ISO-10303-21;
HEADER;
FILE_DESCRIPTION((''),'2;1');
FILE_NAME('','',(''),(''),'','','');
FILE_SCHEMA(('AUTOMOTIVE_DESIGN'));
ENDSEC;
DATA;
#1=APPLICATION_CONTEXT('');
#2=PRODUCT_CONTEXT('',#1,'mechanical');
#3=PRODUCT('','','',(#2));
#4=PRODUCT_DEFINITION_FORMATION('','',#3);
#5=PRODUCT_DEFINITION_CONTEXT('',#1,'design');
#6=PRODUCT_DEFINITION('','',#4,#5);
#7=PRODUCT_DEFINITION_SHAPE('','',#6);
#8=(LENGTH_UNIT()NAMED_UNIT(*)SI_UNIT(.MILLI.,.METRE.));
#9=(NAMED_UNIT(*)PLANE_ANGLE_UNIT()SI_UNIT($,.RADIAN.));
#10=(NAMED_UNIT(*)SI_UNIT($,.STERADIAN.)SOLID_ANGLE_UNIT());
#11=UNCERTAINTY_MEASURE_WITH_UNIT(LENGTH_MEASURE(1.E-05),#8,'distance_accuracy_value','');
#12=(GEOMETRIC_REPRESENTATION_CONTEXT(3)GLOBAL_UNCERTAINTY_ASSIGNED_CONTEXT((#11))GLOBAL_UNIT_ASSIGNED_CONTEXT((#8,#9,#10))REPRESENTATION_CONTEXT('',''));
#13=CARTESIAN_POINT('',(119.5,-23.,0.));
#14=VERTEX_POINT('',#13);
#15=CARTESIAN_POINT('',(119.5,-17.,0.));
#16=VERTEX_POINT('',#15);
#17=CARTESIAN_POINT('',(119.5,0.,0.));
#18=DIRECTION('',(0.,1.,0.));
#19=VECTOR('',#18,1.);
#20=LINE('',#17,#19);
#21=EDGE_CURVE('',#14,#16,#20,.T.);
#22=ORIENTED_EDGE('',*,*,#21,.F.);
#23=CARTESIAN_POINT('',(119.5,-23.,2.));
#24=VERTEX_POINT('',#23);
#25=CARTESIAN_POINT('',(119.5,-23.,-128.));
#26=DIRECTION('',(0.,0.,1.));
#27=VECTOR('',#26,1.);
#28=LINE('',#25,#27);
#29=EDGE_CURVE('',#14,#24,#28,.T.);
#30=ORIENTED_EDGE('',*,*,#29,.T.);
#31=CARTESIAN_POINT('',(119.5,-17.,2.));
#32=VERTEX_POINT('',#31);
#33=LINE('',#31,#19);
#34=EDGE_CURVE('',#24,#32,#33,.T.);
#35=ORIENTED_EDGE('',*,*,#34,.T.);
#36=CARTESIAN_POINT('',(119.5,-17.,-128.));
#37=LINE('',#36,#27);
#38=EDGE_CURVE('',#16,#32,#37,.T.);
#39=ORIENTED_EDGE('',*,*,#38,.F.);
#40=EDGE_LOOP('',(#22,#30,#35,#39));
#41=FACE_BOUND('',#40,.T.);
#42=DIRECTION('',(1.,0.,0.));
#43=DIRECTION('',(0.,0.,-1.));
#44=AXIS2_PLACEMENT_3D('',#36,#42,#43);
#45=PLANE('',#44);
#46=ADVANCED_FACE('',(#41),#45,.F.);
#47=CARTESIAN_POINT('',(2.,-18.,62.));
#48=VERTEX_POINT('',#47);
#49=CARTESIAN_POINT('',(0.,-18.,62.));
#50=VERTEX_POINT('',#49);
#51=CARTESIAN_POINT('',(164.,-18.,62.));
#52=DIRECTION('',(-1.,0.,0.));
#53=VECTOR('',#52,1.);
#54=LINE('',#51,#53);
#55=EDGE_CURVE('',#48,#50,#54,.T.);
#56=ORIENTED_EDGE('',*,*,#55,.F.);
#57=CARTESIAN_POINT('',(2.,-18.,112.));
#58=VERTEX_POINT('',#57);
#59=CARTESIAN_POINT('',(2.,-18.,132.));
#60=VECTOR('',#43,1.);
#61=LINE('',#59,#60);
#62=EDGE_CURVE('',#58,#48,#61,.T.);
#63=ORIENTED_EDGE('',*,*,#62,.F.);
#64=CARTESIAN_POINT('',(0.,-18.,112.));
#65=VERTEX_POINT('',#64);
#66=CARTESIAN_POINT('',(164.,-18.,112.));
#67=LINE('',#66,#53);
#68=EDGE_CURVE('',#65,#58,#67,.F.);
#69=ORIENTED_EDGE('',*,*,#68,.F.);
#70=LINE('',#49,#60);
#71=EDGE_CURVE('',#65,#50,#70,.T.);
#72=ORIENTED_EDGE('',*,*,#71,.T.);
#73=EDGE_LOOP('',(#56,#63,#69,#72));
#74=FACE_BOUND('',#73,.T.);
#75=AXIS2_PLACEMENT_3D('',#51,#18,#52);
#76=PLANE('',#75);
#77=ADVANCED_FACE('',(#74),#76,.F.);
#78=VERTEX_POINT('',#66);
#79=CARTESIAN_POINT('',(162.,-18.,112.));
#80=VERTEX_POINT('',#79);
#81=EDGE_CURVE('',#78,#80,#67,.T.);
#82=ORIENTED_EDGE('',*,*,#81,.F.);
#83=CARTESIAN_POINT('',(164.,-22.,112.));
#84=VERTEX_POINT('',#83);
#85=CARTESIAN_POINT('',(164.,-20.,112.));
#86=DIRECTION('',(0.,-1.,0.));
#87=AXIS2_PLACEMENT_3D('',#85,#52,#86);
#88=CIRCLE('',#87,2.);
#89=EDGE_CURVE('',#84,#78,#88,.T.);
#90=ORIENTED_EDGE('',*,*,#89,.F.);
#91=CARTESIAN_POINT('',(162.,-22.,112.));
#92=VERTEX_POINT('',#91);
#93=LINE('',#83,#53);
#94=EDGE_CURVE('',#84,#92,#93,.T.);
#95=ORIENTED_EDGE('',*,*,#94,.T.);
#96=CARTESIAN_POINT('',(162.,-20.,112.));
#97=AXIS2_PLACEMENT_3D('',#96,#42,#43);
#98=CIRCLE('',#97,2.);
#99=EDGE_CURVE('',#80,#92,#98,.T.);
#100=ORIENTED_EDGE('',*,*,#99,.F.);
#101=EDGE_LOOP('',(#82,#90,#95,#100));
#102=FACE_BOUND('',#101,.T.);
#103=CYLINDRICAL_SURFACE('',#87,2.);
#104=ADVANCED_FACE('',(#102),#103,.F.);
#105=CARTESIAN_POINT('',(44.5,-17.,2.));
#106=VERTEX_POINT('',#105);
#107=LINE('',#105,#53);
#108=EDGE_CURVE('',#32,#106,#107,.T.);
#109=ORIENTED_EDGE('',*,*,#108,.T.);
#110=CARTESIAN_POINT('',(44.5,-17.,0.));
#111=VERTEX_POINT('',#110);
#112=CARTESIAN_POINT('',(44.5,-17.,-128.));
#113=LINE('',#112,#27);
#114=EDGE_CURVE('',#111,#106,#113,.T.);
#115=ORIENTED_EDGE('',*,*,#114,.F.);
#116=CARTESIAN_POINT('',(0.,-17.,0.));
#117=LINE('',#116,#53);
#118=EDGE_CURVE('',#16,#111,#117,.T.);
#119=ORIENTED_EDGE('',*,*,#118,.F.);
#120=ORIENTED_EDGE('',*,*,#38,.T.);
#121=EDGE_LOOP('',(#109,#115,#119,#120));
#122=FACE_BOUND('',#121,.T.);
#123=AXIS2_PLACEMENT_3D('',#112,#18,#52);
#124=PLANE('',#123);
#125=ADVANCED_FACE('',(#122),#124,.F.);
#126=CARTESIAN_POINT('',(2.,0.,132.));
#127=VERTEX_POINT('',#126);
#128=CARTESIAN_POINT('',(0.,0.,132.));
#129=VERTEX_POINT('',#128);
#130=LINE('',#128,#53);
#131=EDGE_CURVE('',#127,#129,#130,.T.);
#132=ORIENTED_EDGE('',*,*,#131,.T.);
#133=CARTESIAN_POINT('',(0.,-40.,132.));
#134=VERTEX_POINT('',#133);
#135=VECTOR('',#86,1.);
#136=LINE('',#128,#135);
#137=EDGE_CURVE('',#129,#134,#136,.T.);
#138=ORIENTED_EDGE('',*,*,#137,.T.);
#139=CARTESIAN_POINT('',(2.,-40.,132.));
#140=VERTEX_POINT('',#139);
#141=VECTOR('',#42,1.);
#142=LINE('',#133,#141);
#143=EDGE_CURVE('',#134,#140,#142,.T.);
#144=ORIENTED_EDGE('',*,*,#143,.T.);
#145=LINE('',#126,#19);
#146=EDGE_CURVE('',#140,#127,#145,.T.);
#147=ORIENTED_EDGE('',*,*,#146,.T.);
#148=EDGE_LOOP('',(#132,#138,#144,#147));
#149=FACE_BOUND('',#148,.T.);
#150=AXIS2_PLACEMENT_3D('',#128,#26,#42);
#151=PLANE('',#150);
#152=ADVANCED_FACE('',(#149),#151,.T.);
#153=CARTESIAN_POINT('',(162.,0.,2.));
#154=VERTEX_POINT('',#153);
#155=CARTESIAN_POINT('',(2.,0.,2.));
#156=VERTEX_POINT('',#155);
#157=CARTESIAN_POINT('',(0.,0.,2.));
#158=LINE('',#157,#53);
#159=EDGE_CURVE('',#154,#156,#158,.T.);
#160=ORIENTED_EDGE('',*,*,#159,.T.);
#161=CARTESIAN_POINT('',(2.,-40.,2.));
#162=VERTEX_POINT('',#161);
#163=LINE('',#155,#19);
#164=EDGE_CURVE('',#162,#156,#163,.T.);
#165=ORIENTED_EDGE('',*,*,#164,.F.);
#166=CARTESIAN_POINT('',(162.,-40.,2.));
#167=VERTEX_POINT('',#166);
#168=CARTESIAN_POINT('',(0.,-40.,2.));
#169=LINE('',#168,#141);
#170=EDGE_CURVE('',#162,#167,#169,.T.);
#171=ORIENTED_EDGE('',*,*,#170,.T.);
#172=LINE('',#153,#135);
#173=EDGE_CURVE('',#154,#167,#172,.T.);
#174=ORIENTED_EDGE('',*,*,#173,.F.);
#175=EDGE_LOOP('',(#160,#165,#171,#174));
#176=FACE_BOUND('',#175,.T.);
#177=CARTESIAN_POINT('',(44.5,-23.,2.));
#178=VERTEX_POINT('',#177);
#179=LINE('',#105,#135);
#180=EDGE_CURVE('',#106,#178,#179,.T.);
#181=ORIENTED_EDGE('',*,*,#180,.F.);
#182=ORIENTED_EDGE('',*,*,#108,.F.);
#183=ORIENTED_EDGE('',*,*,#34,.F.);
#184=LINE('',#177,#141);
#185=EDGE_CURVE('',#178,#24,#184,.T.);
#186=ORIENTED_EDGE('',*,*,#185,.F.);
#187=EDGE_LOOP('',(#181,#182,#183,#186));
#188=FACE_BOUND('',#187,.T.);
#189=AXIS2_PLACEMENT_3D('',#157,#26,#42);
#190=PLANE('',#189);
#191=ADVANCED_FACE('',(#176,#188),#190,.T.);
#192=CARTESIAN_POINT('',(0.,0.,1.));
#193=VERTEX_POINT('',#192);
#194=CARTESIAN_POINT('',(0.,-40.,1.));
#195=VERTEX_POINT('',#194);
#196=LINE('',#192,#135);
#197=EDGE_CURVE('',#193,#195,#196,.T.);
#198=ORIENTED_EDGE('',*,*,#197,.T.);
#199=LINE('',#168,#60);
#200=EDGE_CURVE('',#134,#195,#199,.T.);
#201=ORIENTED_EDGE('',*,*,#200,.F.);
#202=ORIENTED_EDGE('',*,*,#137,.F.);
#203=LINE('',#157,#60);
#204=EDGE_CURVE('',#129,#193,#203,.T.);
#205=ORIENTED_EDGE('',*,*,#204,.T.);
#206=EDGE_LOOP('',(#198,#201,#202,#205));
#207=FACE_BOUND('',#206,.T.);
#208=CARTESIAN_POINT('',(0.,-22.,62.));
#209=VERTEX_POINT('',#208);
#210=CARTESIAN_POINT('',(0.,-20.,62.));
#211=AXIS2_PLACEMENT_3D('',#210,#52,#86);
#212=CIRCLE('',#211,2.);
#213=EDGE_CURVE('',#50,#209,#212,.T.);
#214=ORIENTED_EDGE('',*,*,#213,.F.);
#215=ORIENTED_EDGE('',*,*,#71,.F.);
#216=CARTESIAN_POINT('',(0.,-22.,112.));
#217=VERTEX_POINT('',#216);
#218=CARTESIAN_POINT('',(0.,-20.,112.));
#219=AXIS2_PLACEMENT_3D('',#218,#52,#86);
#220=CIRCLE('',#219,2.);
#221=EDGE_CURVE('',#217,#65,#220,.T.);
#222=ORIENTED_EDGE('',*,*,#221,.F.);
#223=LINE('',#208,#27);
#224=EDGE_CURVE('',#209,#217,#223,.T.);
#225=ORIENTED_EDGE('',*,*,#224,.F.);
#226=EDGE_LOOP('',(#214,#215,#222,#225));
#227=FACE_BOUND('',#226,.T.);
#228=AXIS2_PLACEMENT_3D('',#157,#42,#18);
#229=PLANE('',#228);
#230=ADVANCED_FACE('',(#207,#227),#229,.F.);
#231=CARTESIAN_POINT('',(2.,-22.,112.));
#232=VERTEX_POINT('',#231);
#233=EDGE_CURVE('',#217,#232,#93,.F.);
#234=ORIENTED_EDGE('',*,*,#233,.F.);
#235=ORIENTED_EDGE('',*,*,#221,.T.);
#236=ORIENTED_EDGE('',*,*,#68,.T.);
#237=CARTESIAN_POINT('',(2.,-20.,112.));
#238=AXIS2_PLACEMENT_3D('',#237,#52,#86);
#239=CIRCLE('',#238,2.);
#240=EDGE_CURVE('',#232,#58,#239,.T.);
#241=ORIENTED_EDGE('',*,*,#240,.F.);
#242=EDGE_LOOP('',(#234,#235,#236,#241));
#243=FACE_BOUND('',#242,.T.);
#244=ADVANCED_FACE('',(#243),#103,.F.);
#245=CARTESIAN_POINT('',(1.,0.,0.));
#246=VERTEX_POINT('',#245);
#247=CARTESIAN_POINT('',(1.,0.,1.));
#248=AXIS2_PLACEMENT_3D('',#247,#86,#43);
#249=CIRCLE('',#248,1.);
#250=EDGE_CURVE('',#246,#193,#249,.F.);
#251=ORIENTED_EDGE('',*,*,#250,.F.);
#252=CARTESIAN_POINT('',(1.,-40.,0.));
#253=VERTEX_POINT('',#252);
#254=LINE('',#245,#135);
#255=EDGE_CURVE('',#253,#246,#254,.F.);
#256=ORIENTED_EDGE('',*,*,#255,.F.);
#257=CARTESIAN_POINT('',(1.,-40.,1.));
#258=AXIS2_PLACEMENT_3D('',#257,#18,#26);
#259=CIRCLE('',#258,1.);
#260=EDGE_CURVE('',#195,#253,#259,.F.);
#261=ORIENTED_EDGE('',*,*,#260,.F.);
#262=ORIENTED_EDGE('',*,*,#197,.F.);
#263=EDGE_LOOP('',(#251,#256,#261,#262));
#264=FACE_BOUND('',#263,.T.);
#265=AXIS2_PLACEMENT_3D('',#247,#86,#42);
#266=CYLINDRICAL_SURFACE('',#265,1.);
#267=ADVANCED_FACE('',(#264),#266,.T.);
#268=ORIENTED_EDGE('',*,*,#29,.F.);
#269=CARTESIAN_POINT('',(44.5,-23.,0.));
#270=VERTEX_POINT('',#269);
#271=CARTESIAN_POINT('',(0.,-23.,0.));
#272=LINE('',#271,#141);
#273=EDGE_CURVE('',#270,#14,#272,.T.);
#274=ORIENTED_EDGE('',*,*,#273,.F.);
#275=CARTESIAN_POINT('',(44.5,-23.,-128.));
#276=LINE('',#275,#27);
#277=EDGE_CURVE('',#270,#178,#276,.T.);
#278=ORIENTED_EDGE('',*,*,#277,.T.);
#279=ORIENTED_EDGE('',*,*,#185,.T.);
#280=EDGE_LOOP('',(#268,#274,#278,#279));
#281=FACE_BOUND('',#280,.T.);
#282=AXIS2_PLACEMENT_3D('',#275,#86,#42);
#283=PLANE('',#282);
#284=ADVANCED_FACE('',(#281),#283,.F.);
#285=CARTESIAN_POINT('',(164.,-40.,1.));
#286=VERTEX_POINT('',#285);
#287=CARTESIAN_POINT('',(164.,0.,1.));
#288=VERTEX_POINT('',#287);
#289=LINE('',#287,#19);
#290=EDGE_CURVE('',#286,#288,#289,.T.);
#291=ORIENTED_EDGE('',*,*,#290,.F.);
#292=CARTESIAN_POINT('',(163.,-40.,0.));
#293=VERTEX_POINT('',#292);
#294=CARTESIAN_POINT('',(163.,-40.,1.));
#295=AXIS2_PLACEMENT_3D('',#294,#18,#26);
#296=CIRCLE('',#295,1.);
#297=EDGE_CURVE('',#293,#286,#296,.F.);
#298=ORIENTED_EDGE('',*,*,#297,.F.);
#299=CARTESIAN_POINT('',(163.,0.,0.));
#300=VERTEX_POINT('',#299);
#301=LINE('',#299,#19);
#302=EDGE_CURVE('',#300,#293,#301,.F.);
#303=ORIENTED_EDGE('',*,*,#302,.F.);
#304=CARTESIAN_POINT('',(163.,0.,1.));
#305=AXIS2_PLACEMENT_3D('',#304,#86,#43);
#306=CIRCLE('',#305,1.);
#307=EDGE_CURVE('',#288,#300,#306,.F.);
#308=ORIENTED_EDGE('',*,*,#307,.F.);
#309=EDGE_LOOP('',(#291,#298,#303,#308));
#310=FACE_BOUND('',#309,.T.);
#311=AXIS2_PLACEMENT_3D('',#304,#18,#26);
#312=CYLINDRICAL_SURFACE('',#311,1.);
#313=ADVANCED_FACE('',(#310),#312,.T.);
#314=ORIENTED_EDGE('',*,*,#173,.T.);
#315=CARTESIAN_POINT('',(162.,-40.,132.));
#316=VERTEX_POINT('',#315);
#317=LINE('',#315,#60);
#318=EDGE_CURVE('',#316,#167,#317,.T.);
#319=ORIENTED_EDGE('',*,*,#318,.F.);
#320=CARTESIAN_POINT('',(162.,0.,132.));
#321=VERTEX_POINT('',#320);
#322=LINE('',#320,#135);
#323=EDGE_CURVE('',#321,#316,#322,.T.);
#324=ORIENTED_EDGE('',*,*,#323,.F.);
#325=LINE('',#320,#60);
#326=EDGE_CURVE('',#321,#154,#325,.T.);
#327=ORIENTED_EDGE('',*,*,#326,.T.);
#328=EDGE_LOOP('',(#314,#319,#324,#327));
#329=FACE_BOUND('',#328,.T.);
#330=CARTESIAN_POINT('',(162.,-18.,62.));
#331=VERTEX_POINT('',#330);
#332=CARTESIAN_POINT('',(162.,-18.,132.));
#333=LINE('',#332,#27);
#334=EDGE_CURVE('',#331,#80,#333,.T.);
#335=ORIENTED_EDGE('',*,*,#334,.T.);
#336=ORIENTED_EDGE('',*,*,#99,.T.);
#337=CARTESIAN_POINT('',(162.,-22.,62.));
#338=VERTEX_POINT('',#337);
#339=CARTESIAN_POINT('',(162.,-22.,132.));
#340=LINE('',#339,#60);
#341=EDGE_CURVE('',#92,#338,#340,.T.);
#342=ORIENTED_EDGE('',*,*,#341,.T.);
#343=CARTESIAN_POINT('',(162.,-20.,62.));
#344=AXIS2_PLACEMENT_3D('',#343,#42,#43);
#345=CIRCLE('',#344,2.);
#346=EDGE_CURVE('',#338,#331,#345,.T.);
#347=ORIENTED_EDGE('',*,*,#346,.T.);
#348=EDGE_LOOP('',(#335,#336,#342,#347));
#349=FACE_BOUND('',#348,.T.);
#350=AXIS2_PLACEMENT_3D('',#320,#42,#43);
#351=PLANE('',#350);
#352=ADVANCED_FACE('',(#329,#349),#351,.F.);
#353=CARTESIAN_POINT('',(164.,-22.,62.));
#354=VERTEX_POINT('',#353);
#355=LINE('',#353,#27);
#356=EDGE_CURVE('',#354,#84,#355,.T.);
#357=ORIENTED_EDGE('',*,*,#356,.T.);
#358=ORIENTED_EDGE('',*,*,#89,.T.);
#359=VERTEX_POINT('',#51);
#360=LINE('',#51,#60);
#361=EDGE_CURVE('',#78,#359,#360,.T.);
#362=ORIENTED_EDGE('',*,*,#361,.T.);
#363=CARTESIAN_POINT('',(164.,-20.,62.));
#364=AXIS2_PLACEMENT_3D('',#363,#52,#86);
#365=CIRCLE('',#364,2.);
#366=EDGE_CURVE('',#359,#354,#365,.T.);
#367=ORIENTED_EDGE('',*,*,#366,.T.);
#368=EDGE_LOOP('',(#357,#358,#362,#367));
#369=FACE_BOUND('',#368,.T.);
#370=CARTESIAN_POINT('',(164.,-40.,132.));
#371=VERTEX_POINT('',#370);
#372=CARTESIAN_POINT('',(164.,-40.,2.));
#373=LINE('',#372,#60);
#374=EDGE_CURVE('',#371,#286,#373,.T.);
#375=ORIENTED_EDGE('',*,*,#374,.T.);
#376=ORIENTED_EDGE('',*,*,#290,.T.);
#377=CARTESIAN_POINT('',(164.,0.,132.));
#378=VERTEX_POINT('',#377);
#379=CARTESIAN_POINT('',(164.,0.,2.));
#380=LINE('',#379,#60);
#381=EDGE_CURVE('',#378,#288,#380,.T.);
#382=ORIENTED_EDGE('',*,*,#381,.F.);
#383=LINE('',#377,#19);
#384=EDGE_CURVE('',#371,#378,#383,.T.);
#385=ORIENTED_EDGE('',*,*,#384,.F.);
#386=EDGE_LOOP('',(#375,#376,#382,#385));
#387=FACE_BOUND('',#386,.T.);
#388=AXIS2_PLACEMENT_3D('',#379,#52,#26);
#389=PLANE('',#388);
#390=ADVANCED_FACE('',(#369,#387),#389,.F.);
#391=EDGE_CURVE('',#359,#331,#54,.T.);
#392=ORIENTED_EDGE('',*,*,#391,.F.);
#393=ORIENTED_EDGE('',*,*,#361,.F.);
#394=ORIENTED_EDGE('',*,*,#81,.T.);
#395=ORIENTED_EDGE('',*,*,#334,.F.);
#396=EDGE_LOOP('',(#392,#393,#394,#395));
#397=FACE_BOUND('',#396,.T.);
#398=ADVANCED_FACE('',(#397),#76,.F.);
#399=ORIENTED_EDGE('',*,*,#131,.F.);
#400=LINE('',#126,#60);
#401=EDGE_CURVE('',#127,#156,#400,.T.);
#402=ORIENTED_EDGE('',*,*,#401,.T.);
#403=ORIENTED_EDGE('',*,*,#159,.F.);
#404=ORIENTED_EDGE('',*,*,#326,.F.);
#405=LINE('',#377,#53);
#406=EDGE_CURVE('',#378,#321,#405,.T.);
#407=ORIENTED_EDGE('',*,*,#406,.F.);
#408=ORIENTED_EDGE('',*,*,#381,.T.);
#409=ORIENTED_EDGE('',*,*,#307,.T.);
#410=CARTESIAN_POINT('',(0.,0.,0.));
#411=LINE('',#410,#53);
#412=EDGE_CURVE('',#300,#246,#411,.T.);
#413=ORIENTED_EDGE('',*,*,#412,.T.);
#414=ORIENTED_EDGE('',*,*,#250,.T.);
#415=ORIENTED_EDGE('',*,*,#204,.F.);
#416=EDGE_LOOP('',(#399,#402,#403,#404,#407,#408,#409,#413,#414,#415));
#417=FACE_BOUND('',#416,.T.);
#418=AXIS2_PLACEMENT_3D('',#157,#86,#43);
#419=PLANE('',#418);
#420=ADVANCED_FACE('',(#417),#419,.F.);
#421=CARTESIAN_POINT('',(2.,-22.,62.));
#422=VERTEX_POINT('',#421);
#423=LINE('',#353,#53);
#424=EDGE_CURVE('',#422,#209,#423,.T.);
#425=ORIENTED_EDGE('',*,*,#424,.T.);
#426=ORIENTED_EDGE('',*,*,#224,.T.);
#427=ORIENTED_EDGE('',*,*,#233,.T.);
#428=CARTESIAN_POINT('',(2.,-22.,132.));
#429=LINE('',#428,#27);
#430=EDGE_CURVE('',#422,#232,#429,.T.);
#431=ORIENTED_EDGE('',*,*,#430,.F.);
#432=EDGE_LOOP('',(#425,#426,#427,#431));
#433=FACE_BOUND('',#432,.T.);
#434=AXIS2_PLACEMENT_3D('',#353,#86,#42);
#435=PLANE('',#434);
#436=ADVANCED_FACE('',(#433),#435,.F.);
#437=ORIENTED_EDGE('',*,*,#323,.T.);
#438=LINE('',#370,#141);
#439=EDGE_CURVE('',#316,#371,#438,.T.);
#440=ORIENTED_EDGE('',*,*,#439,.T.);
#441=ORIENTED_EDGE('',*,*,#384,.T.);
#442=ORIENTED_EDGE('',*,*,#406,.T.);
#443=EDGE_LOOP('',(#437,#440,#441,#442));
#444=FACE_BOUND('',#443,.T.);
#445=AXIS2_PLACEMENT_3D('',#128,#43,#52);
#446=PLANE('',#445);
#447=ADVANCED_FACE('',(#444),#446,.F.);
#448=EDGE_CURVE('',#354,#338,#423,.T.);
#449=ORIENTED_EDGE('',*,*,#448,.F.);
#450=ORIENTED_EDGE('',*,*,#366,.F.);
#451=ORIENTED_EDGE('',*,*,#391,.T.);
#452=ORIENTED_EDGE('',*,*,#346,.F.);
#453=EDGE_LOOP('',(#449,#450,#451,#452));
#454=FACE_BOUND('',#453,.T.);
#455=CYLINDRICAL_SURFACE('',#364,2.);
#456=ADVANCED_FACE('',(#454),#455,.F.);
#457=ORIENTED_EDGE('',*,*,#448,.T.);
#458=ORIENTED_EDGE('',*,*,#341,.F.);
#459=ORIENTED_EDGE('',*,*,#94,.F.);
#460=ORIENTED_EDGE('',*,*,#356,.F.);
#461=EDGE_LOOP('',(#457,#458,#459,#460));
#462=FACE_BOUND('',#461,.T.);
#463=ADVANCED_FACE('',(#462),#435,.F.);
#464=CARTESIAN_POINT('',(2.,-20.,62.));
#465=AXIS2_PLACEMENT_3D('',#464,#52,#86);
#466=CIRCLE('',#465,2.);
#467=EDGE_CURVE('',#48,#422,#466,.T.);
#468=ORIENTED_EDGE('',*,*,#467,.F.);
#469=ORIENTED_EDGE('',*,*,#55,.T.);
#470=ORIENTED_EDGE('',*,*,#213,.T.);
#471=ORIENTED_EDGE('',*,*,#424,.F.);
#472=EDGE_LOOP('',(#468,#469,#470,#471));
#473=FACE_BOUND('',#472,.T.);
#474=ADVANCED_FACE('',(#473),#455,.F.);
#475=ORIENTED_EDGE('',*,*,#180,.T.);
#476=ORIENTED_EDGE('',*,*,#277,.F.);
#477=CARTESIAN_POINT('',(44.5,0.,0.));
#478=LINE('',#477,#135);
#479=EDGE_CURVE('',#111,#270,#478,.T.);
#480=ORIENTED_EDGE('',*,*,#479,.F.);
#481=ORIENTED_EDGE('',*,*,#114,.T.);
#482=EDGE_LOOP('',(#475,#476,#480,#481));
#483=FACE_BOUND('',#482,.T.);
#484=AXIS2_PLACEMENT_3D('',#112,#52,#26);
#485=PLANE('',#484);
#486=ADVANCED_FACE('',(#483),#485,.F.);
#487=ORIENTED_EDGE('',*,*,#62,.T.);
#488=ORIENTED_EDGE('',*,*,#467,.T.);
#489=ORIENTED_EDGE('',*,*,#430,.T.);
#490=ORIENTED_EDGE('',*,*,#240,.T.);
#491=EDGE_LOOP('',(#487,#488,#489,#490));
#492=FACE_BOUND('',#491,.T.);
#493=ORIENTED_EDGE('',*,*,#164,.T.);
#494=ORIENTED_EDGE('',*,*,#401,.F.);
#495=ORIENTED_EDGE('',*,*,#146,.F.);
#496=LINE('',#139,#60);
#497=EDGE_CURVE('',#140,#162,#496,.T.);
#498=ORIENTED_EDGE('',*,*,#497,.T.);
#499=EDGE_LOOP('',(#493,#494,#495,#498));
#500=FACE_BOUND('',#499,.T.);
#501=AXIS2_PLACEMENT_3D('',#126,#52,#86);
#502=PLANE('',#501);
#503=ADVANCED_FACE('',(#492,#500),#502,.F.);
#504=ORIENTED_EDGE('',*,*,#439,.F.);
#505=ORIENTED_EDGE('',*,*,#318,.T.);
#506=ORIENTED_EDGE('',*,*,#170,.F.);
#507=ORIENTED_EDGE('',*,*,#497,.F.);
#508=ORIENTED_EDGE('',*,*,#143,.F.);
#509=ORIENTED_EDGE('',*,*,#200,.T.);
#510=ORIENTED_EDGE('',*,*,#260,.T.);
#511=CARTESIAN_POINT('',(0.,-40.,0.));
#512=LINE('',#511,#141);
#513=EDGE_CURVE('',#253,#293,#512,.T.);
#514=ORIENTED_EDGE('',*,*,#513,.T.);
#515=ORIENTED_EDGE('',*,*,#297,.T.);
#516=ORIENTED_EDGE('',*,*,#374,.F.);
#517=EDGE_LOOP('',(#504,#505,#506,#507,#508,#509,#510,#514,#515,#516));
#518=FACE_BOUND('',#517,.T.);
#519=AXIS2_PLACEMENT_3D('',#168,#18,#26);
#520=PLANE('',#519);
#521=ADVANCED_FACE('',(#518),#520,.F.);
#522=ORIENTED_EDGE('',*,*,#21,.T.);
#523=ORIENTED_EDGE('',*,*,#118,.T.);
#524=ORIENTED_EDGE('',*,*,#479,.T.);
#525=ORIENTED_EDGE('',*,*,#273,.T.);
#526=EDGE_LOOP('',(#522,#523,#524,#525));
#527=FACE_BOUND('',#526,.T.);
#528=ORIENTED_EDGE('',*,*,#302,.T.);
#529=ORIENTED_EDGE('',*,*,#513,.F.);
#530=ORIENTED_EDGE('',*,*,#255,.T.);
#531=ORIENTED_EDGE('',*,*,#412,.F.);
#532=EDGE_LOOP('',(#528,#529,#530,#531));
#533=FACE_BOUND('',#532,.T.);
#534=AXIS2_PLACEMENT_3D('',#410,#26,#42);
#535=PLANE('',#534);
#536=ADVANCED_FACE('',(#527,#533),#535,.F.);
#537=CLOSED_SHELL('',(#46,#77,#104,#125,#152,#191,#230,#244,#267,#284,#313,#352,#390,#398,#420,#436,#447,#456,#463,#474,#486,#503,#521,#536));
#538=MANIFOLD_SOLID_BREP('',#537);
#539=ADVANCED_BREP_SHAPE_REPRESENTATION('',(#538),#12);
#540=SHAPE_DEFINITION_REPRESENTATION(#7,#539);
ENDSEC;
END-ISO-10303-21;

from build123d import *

# Parameters (mm, degrees)
ESQUISSE1_W             = 164
ESQUISSE1_H             = 40
BOSS_EXTRU_1_DEPTH      = 2
ESQUISSE2_W             = 2
ESQUISSE2_H             = 40
BOSS_EXTRU_2_DEPTH      = 130
ESQUISSE3_W             = 2
ESQUISSE3_H             = 40
BOSS_EXTRU_3_DEPTH      = 130
ESQUISSE4_R             = 2
ENL_V_MAT_EXTRU_1_DEPTH = 165
CONG_1_R                = 1
CONG_2_R                = 1
ESQUISSE5_W             = 75
ESQUISSE5_H             = 6
ENL_V_MAT_EXTRU_2_DEPTH = 130
ENL_V_MAT_EXTRU_3_DEPTH = 165


with BuildPart() as part:
    # Esquisse1 → Boss.-Extru.1 (new body)
    with BuildSketch(Plane.XY):
        with Locations((82, -20)):
            Rectangle(ESQUISSE1_W, ESQUISSE1_H)
    extrude(amount=BOSS_EXTRU_1_DEPTH)

    # Esquisse2 → Boss.-Extru.2 (add)
    with BuildSketch(Plane.XY.offset(2)):
        with Locations((1, -20)):
            Rectangle(ESQUISSE2_W, ESQUISSE2_H)
    extrude(amount=BOSS_EXTRU_2_DEPTH)

    # Esquisse3 → Boss.-Extru.3 (add)
    with BuildSketch(Plane.XY.offset(2)):
        with Locations((163, -20)):
            Rectangle(ESQUISSE3_W, ESQUISSE3_H)
    extrude(amount=BOSS_EXTRU_3_DEPTH)

    # Esquisse4 → Enlèv. mat.-Extru.1 (cut, through all)
    with BuildSketch(Plane.ZY):
        with Locations((112, -20)):
            Circle(ESQUISSE4_R)
    extrude(amount=-ENL_V_MAT_EXTRU_1_DEPTH, mode=Mode.SUBTRACT)

    # Congé1
    cong_1_edges = [part.edges().sort_by_distance(p)[0] for p in [
        (0, -20, 0),
    ]]
    fillet(cong_1_edges, radius=CONG_1_R)

    # Congé2
    cong_2_edges = [part.edges().sort_by_distance(p)[0] for p in [
        (164, -20, 0),
    ]]
    fillet(cong_2_edges, radius=CONG_2_R)

    # Esquisse5 → Enlèv. mat.-Extru.2 (cut)
    with BuildSketch(Plane.XY.offset(2)):
        with Locations((82, -20)):
            Rectangle(ESQUISSE5_W, ESQUISSE5_H)
    extrude(amount=-ENL_V_MAT_EXTRU_2_DEPTH, mode=Mode.SUBTRACT)

    # Esquisse6 → Enlèv. mat.-Extru.3 (cut, through all)
    with BuildSketch(Plane.ZY):
        with BuildLine():
            Line((62, -18), (112, -18))
            ThreePointArc((112, -18), (114, -20), (112, -22))
            Line((112, -22), (62, -22))
            ThreePointArc((62, -22), (60, -20), (62, -18))
        make_face()
    extrude(amount=-ENL_V_MAT_EXTRU_3_DEPTH, mode=Mode.SUBTRACT)


solid = part.part
